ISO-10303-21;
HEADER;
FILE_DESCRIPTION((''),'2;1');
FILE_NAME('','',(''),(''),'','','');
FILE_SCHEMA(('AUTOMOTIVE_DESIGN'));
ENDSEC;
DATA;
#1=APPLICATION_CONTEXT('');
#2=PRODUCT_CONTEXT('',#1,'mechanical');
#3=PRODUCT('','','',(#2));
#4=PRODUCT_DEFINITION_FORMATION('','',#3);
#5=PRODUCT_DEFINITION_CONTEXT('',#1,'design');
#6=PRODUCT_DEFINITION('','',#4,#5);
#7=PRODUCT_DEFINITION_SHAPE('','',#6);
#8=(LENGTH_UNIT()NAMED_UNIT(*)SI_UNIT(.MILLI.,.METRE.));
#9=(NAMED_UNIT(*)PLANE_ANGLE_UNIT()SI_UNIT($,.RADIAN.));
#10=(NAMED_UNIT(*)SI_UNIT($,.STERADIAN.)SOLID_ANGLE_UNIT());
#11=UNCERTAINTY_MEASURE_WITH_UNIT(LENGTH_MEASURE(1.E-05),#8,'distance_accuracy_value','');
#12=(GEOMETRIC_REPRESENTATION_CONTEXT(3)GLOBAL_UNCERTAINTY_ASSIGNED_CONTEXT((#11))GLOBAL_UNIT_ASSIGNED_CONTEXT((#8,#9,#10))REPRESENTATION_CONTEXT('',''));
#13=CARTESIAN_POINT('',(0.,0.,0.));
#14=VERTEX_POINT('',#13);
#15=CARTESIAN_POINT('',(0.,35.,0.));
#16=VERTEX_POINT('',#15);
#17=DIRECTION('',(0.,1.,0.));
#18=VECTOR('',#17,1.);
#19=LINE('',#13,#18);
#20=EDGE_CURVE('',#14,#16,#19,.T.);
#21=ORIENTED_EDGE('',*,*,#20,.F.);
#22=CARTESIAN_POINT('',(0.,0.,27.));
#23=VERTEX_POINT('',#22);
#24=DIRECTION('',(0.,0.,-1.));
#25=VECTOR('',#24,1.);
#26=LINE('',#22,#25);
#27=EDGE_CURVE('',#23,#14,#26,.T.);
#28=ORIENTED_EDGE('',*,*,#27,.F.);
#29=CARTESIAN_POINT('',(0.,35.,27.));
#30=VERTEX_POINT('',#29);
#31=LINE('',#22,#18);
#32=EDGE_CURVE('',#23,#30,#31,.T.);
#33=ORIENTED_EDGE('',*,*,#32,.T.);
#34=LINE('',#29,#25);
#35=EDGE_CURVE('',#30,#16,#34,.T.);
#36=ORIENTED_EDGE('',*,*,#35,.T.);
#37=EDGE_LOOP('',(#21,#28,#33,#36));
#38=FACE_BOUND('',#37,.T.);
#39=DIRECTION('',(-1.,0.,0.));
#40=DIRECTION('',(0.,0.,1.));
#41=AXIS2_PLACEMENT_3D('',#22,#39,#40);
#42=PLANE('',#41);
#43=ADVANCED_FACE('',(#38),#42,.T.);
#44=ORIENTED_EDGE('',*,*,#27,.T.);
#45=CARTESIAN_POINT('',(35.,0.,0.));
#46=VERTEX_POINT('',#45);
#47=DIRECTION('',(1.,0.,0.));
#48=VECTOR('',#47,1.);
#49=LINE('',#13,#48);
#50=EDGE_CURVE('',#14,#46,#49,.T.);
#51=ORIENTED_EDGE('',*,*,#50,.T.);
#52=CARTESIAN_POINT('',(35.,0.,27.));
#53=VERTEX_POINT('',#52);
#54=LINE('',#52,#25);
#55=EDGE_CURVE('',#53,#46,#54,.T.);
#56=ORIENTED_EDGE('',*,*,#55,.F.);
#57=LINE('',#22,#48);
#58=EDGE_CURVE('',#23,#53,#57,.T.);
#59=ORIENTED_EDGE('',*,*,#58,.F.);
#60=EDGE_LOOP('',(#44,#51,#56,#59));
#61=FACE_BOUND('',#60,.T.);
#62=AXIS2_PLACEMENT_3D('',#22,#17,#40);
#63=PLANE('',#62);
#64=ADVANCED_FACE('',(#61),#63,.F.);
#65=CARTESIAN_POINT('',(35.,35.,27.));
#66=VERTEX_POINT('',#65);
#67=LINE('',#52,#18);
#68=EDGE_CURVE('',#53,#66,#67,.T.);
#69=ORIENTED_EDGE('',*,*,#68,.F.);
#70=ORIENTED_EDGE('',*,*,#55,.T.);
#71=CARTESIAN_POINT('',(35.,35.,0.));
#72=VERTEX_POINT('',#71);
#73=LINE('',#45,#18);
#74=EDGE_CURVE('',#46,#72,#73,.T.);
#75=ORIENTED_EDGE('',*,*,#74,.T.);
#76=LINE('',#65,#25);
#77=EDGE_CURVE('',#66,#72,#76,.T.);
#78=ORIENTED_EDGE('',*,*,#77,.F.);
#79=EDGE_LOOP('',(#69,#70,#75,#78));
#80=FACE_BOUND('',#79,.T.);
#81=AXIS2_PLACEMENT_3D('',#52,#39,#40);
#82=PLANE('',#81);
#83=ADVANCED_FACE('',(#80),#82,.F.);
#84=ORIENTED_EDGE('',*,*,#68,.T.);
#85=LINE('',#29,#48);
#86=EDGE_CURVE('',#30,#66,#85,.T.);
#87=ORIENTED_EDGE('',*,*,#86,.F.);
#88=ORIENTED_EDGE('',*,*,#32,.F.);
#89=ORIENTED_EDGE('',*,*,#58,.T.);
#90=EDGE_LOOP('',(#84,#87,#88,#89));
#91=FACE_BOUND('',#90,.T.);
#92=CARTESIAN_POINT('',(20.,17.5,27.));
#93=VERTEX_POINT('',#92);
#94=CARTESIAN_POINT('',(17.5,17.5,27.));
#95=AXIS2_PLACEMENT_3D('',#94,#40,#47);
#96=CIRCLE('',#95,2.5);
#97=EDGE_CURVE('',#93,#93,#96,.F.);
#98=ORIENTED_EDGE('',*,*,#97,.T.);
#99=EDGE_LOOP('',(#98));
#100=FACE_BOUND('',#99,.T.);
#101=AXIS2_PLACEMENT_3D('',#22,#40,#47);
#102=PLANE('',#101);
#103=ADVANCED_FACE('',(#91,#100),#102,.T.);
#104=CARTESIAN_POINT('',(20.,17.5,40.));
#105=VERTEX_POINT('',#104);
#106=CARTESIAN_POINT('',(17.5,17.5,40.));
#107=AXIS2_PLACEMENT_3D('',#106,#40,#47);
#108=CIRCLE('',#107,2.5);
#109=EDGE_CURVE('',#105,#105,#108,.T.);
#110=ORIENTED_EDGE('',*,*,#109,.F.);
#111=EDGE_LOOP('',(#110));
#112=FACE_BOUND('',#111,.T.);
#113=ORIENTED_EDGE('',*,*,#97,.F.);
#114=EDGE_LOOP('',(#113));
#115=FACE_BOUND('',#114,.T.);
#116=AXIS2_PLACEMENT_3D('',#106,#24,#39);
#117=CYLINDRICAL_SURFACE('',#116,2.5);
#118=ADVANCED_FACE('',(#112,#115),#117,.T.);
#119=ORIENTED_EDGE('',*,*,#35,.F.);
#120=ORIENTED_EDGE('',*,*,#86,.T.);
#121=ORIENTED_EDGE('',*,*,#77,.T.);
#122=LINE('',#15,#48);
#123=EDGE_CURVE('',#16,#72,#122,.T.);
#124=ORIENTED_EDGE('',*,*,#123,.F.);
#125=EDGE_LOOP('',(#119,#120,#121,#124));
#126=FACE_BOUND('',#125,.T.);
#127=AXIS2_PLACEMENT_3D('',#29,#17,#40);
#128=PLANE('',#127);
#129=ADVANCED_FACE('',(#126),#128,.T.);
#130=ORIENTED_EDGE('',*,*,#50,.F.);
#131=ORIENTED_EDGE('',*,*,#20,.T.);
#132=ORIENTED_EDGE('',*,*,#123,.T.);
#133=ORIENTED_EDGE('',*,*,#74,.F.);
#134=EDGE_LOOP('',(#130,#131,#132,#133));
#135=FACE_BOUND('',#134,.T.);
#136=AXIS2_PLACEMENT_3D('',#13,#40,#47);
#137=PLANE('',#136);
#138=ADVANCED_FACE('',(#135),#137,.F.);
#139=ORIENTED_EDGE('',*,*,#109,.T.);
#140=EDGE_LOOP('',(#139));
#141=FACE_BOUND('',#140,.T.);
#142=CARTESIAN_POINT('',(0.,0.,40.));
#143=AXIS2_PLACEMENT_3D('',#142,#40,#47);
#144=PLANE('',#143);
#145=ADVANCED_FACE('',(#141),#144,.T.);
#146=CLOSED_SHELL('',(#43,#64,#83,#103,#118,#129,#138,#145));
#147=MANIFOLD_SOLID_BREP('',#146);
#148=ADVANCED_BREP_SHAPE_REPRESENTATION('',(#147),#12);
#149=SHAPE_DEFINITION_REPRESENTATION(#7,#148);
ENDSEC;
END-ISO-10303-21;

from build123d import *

# Parameters (mm, degrees)
SKETCH1_W           = 35
SKETCH1_H           = 35
BOSS_EXTRUDE1_DEPTH = 27
SKETCH1_3_R         = 2.5
BOSS_EXTRUDE2_DEPTH = 40


with BuildPart() as part:
    # Sketch1 → Boss-Extrude1 (new body)
    with BuildSketch(Plane.XY):
        with Locations((17.5, 17.5)):
            Rectangle(SKETCH1_W, SKETCH1_H)
    extrude(amount=BOSS_EXTRUDE1_DEPTH)

    # Sketch1<3> → Boss-Extrude2 (add)
    with BuildSketch(Plane.XY):
        with Locations((17.5, 17.5)):
            Circle(SKETCH1_3_R)
    extrude(amount=BOSS_EXTRUDE2_DEPTH)


solid = part.part
